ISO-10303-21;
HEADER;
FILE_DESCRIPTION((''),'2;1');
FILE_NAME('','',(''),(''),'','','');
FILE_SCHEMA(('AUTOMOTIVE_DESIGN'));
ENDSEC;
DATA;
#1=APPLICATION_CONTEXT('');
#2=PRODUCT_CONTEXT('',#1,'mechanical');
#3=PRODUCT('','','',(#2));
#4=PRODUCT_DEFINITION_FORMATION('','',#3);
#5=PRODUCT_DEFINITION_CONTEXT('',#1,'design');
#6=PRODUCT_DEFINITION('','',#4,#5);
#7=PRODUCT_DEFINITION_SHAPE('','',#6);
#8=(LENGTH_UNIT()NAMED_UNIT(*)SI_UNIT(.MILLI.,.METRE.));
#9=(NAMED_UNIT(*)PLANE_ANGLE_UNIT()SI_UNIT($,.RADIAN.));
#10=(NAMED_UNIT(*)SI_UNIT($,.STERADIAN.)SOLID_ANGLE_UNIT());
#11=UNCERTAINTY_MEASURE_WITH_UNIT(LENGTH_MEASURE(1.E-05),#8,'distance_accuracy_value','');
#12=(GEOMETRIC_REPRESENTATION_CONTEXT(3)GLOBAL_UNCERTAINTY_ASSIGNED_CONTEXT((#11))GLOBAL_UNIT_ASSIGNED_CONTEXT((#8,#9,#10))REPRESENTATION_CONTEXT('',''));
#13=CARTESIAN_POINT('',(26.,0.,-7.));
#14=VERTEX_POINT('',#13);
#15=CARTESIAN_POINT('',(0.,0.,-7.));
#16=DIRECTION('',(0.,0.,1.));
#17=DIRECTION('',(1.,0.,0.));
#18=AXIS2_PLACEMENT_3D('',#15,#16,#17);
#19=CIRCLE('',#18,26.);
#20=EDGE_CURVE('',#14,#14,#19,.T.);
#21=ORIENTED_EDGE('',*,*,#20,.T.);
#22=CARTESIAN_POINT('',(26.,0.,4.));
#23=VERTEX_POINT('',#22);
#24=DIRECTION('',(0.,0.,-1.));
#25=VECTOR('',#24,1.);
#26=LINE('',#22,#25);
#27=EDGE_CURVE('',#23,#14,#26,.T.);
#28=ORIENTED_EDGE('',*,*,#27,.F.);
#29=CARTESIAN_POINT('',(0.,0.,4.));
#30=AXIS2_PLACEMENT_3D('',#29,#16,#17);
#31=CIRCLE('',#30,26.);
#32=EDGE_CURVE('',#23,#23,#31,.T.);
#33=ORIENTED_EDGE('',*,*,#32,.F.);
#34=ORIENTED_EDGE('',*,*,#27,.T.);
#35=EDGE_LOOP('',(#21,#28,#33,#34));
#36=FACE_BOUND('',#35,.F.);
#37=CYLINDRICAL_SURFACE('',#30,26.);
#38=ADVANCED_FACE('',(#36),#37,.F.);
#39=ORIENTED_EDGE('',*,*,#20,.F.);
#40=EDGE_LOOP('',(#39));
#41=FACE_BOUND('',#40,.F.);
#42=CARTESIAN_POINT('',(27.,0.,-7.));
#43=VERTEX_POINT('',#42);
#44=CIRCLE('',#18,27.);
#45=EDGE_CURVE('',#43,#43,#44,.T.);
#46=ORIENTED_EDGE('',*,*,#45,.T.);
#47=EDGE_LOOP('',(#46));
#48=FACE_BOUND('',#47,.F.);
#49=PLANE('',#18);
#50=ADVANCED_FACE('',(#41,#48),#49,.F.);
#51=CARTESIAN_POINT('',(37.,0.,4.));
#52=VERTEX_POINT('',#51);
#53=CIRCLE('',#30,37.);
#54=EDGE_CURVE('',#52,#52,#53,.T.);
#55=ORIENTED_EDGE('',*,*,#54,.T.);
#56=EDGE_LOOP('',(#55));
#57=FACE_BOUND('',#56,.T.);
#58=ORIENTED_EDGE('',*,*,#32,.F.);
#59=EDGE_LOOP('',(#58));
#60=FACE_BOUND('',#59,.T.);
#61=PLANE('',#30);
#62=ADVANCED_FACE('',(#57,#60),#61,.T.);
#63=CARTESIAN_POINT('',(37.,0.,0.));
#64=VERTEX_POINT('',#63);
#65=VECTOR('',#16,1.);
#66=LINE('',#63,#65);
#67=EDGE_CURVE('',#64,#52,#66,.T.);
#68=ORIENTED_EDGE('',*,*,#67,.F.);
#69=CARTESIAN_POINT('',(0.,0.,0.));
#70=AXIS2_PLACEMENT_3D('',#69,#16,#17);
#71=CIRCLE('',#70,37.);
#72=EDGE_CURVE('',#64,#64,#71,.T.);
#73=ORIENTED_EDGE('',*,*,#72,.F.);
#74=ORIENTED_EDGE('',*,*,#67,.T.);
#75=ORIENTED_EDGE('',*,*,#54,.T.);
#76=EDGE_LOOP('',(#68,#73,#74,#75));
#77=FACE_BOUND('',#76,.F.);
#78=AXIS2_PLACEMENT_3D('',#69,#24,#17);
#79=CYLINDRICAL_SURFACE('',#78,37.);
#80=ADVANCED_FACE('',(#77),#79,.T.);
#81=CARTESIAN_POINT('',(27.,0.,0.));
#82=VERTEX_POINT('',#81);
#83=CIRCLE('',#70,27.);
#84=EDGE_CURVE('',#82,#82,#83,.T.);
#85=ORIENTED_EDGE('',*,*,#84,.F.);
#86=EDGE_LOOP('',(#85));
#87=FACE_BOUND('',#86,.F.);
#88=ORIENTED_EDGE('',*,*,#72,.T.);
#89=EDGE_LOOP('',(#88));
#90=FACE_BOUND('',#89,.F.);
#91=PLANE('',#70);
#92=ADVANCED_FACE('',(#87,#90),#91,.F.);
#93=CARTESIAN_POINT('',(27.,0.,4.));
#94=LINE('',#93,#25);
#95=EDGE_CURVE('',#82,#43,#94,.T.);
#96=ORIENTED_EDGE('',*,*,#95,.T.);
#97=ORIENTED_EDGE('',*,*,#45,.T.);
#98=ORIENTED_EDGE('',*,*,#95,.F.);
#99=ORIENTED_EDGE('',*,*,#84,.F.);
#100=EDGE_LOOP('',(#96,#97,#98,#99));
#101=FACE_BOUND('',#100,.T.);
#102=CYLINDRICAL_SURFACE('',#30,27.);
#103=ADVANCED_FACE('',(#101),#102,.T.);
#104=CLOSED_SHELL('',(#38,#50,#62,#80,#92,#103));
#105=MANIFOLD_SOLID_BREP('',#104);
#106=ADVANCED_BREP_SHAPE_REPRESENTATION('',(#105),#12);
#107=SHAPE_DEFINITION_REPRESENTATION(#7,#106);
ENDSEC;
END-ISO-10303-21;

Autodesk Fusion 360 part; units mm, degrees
sketch "Sketch1" plane through (0, 0, 0) normal (0, 0, 1) x (1, 0, 0)
  circle A0 centre (0, 0) radius 26
  circle A1 centre (0, 0) radius 37
  circle A2 centre (0, 0) radius 27
  dimension "d3" = 52
  dimension "d4" = 74
  dimension "d7" = 1
extrude "Extrude2" add sketch "Sketch1" along normal blind -7 and the other way blind -4 contours A2
extrude "Extrude3" add sketch "Sketch1" along normal blind 4 contours A1
equation "comp_outlet_bore = 52 mm"
equation "comp_outlet_OD = 74 mm"
equation "d3 = comp_outlet_bore"
equation "d4 = comp_outlet_OD"
